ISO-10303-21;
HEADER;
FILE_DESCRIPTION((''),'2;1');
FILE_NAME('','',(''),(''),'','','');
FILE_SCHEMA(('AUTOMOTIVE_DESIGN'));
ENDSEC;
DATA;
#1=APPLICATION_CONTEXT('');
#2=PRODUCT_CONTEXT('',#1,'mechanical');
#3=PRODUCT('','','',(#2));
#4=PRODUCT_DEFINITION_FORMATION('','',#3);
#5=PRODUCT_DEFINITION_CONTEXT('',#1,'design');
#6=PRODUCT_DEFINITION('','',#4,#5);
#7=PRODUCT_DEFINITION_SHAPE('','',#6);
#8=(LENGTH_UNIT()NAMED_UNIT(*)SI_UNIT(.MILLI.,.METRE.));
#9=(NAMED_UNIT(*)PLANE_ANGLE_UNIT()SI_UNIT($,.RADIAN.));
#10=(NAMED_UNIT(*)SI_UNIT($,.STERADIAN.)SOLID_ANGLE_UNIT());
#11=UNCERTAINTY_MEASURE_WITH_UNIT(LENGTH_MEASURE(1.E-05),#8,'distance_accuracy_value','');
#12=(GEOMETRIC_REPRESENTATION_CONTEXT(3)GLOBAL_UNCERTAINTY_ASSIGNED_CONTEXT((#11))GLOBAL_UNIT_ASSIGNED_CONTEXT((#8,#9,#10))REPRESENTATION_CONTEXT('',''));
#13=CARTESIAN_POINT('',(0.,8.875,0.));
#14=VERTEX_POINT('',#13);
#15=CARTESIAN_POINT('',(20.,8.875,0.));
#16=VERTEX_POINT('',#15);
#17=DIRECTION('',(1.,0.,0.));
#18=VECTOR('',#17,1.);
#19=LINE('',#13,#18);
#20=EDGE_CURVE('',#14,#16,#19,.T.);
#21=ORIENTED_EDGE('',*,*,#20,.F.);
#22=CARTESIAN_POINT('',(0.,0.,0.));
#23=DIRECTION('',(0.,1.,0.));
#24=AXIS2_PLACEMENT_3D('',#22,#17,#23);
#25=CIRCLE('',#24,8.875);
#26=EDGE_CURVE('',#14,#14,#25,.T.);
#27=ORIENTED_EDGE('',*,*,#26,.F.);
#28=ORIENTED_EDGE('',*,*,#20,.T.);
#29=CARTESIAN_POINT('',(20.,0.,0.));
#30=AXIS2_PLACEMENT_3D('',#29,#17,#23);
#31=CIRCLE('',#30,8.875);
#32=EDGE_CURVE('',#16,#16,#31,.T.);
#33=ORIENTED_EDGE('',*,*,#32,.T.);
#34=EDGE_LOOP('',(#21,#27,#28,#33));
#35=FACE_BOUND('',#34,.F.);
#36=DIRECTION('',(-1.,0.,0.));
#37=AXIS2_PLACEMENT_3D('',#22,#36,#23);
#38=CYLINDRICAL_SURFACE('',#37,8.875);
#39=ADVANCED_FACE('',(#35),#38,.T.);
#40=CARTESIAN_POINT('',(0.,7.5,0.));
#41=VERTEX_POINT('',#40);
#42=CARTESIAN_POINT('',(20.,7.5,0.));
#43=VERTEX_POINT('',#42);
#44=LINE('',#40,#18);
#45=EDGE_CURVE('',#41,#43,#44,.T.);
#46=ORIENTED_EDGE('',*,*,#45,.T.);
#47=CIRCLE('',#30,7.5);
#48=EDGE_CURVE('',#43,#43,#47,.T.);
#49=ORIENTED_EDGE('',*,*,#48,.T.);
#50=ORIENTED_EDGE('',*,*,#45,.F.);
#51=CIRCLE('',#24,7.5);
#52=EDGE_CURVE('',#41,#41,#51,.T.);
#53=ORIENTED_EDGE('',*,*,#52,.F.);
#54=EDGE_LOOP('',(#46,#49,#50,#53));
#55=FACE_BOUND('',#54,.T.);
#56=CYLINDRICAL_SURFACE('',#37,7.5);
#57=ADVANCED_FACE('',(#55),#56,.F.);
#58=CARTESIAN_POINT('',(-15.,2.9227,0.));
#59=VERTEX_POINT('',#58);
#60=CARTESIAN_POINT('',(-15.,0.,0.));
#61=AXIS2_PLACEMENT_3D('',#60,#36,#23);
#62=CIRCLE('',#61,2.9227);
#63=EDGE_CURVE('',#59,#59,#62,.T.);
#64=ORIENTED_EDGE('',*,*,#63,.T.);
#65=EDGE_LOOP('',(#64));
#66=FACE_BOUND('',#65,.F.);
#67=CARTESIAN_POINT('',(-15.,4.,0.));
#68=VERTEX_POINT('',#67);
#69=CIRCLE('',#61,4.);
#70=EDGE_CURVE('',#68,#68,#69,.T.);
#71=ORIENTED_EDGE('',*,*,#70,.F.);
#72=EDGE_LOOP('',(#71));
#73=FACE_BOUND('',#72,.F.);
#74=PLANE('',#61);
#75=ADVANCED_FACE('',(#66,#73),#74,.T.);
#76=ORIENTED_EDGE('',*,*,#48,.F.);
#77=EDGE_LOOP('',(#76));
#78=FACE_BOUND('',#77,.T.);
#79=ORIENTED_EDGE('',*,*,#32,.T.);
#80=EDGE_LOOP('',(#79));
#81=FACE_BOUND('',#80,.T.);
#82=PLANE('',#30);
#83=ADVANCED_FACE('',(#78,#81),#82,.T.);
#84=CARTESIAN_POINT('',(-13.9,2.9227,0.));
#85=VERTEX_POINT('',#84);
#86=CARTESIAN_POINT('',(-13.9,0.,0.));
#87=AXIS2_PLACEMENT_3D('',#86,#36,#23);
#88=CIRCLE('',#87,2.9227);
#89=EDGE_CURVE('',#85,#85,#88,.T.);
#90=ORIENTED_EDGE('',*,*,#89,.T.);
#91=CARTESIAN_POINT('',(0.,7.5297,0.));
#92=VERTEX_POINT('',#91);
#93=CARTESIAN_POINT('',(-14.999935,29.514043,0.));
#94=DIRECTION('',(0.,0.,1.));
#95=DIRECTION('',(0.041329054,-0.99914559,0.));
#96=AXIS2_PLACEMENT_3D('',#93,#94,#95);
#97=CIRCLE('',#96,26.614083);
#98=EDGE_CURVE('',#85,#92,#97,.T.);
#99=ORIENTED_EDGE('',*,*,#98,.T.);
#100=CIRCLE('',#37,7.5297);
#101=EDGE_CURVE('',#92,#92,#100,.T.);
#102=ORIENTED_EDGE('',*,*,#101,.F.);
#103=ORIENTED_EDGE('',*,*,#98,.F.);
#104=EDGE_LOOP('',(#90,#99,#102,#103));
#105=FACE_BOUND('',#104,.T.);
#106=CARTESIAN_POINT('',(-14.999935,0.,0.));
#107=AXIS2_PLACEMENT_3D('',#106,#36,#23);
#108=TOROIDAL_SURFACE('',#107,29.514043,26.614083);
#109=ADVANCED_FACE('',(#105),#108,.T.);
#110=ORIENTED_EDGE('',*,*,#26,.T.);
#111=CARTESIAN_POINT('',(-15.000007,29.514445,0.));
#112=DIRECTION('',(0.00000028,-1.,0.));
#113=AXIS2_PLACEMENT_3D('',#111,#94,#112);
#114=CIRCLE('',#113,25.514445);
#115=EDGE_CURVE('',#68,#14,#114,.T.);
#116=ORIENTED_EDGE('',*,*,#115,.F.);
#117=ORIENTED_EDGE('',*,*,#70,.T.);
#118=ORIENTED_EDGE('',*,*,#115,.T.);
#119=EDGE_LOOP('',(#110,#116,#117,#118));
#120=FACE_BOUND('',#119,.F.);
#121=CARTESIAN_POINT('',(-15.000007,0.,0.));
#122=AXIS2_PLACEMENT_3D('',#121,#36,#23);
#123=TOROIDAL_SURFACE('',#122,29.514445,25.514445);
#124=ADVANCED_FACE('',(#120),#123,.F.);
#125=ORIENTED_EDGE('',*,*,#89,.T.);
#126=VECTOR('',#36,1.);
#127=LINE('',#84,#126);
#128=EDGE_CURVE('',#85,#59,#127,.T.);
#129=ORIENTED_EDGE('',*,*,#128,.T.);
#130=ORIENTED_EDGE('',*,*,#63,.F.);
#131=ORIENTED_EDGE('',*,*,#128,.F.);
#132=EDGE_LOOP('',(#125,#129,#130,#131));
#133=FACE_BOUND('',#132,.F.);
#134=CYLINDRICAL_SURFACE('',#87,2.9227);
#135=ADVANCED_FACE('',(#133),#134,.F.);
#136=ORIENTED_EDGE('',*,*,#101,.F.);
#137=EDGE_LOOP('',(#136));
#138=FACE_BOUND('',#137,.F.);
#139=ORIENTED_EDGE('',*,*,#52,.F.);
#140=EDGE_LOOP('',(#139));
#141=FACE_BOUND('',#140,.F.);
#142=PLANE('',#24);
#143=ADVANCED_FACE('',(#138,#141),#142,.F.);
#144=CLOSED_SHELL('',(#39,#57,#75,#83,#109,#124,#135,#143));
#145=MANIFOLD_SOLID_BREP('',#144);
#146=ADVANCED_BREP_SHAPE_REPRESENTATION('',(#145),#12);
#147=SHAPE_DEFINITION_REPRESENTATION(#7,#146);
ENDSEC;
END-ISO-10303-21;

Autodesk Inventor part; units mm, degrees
ref_plane "YZ Plane" through (0, 0, 0) normal (1, 0, 0) x (0, 1, 0)
ref_plane "XZ Plane" through (0, 0, 0) normal (0, 1, 0) x (-1, 0, 0)
ref_plane "XY Plane" through (0, 0, 0) normal (0, 0, 1) x (1, 0, 0)
sketch "Sketch1" plane through (0, 0, 0) normal (1, 0, 0) x (0, 1, 0)
  circle A0 centre (0, 0) radius 7.5
  circle A1 centre (0, 0) radius 8.875
  dimension "d0" = 15
  dimension "d1" = 17.75
extrude "Extrusion1" add sketch "Sketch1" along normal blind 20
sketch "Sketch2" plane through (0, 0, 0) normal (0, 0, 1) x (1, 0, 0)
  line L0 (-15, 0) -> (-15, 4) construction
  arc A0 (-15, 4) -> (0, 8.875) centre (-15, 29.5144) ccw
  line L1 (-15, 4) -> (-2.0685, 4) construction
  arc A1 (-13.9, 2.9227) -> (0, 7.5297) centre (-15, 29.5144) ccw
  line L2 (-13.9, 2.9227) -> (-13.9, 0) construction
  line L3 (0, -8.875) -> (0, 8.875) projected
  line L4 (0, 8.875) -> (0, 7.5297)
  line L5 (-13.9, 2.9227) -> (-15, 2.9227)
  line L6 (-15, 2.9227) -> (-15, 4)
  line L7 (0, 0) -> (-13.9, 0) construction
  dimension "d4" = 15
  dimension "d6" = 4
  dimension "d7" = 1.1
revolve "Revolution1" add sketch "Sketch2" angle 360 about axis through (0, 0, 0) along (-1, 0, 0)
properties part number "5 mm nozle"
